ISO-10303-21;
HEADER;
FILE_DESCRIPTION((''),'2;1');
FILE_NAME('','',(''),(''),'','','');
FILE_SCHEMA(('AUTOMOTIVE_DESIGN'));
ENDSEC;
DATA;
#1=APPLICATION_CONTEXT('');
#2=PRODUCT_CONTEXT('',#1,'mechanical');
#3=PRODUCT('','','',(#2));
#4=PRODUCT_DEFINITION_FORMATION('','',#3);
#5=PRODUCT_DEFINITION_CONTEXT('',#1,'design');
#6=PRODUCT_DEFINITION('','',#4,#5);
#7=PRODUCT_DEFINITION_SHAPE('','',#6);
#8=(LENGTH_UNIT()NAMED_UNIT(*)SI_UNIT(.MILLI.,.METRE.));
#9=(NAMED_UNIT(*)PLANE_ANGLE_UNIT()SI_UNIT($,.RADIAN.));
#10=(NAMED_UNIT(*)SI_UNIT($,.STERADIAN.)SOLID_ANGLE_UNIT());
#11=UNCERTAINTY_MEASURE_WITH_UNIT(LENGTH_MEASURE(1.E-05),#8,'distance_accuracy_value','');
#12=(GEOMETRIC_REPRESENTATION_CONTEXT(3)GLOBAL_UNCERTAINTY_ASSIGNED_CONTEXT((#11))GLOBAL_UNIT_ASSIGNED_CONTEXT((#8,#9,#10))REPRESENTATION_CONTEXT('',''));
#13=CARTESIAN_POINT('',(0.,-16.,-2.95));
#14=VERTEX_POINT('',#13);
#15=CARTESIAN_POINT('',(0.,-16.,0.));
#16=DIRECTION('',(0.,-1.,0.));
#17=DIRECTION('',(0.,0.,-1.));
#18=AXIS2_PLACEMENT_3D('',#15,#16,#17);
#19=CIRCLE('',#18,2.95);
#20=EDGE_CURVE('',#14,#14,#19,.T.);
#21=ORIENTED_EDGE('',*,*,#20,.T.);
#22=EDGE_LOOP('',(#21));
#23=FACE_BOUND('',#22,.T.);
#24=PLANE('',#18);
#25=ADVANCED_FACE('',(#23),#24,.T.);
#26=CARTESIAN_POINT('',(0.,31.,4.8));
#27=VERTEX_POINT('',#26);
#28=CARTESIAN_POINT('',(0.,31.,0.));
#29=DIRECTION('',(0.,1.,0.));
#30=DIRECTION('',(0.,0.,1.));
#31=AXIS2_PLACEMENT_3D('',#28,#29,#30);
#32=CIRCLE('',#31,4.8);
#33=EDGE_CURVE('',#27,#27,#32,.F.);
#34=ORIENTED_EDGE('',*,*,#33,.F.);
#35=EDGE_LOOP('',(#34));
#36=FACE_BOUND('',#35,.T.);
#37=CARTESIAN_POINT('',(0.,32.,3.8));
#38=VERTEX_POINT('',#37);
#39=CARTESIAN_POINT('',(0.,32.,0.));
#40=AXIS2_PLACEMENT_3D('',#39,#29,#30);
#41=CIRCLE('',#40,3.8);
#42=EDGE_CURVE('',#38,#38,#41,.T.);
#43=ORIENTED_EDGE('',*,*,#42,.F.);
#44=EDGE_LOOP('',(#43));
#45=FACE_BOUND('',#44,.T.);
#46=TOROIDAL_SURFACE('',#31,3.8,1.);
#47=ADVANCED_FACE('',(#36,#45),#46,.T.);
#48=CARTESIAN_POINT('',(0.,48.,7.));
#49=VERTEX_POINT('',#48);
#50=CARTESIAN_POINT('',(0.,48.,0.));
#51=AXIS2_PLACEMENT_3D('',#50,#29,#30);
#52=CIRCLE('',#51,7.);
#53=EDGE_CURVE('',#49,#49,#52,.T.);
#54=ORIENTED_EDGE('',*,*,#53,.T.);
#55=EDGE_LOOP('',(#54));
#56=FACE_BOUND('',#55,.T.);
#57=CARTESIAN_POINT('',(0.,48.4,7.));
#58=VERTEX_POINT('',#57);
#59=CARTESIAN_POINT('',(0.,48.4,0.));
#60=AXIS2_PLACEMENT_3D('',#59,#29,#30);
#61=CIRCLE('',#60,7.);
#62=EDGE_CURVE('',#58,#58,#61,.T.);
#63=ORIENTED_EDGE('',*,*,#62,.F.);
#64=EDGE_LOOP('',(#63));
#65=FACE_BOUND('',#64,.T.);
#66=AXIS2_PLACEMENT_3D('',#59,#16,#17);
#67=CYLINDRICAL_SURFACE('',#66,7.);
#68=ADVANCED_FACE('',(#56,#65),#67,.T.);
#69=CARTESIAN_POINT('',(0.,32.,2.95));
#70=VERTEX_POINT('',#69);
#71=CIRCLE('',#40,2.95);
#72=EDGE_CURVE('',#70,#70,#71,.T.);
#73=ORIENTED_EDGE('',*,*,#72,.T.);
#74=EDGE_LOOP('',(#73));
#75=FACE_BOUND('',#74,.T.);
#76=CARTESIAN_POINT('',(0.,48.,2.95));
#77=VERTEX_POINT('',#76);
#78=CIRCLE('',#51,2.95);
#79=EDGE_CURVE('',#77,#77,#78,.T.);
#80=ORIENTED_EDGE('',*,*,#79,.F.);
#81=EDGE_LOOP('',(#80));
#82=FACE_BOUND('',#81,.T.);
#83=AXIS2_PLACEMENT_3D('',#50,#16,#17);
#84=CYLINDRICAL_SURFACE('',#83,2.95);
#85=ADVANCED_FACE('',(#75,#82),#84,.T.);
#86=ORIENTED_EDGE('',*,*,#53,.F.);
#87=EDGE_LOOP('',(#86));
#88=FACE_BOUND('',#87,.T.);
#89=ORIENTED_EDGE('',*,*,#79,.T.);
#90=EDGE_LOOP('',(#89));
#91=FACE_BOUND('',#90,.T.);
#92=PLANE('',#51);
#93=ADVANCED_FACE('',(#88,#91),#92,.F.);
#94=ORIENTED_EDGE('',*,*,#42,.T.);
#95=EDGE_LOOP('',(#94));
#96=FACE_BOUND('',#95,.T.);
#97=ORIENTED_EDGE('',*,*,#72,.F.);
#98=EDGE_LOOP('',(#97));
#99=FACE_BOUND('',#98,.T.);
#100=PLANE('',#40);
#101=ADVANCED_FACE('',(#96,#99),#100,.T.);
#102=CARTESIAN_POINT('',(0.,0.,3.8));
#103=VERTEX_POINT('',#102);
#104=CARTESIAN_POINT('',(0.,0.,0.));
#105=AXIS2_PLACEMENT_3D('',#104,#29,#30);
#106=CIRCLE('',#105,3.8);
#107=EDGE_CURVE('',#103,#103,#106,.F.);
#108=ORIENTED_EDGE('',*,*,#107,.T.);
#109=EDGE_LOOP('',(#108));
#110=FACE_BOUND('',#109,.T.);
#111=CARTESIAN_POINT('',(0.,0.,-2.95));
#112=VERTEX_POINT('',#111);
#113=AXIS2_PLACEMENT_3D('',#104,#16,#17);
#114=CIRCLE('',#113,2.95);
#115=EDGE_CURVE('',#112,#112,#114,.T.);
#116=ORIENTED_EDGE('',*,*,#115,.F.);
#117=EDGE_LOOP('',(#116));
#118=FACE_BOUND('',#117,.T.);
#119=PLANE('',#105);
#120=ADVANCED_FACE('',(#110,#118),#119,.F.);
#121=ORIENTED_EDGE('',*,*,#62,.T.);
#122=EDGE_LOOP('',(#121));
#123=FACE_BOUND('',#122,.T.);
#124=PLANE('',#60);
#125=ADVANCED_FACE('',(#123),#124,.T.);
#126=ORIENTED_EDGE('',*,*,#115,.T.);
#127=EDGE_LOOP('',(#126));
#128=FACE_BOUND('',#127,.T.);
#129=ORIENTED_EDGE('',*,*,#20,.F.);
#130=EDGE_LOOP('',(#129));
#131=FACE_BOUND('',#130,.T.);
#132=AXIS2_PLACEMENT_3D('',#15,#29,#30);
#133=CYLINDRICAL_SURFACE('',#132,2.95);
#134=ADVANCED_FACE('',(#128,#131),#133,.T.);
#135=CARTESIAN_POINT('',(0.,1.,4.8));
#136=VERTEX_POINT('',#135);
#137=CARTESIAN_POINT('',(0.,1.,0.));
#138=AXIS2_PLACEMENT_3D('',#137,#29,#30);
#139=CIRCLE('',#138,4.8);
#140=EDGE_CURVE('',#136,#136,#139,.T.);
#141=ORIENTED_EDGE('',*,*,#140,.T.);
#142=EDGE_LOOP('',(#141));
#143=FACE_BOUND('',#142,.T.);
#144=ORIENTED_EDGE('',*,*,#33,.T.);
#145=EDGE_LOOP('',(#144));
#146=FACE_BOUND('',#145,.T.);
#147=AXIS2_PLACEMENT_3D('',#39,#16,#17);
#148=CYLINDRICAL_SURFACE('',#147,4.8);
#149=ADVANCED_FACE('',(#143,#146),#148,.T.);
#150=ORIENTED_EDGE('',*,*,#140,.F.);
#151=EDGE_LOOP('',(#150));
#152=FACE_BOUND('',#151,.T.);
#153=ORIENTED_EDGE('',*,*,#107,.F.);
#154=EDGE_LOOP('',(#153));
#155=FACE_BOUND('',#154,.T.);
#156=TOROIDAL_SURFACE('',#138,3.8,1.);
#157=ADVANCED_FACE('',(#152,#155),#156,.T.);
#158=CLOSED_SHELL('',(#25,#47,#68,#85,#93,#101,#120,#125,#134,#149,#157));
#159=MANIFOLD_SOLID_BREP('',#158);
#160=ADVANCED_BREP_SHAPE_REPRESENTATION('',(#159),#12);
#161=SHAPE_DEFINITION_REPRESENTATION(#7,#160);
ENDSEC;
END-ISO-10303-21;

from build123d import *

# Parameters (mm, degrees)
SKETCH1_R           = 4.8
BOSS_EXTRUDE2_DEPTH = 32
SKETCH2_R           = 2.95
BOSS_EXTRUDE3_DEPTH = 16
BOSS_EXTRUDE4_START = 16
SKETCH3_R           = 2.95
BOSS_EXTRUDE4_DEPTH = 16
FILLET1_R           = 1
SKETCH4_R           = 7
BOSS_EXTRUDE5_DEPTH = 0.4


with BuildPart() as part:
    # Sketch1 → Boss-Extrude2 (new body)
    with BuildSketch(Plane(origin=(0, 0, 0), x_dir=(1, 0, 0), z_dir=(0, 1, 0))):
        with Locations(Location((0, 0, 0), (0, 0, 270))):
            Circle(SKETCH1_R)
    extrude(amount=BOSS_EXTRUDE2_DEPTH)

    # Sketch2 → Boss-Extrude3 (add)
    with BuildSketch(Plane(origin=(0, 32, 0), x_dir=(1, 0, 0), z_dir=(0, 1, 0))):
        with Locations(Location((0, 0, 0), (0, 0, 270))):
            Circle(SKETCH2_R)
    extrude(amount=BOSS_EXTRUDE3_DEPTH)

    # Sketch3 → Boss-Extrude4 (add)
    with BuildSketch(Plane.XZ.offset(BOSS_EXTRUDE4_START)):
        with Locations(Location((0, 0, 0), (0, 0, 90))):
            Circle(SKETCH3_R)
    extrude(amount=-BOSS_EXTRUDE4_DEPTH)

    # Fillet1
    fillet1_edges = [part.edges().sort_by_distance(p)[0] for p in [
        (0, 0, -4.8),
        (0, 32, -4.8),
    ]]
    fillet(fillet1_edges, radius=FILLET1_R)

    # Sketch4 → Boss-Extrude5 (add)
    with BuildSketch(Plane(origin=(0, 48, 0), x_dir=(1, 0, 0), z_dir=(0, 1, 0))):
        with Locations(Location((0, 0, 0), (0, 0, 270))):
            Circle(SKETCH4_R)
    extrude(amount=BOSS_EXTRUDE5_DEPTH)


solid = part.part
